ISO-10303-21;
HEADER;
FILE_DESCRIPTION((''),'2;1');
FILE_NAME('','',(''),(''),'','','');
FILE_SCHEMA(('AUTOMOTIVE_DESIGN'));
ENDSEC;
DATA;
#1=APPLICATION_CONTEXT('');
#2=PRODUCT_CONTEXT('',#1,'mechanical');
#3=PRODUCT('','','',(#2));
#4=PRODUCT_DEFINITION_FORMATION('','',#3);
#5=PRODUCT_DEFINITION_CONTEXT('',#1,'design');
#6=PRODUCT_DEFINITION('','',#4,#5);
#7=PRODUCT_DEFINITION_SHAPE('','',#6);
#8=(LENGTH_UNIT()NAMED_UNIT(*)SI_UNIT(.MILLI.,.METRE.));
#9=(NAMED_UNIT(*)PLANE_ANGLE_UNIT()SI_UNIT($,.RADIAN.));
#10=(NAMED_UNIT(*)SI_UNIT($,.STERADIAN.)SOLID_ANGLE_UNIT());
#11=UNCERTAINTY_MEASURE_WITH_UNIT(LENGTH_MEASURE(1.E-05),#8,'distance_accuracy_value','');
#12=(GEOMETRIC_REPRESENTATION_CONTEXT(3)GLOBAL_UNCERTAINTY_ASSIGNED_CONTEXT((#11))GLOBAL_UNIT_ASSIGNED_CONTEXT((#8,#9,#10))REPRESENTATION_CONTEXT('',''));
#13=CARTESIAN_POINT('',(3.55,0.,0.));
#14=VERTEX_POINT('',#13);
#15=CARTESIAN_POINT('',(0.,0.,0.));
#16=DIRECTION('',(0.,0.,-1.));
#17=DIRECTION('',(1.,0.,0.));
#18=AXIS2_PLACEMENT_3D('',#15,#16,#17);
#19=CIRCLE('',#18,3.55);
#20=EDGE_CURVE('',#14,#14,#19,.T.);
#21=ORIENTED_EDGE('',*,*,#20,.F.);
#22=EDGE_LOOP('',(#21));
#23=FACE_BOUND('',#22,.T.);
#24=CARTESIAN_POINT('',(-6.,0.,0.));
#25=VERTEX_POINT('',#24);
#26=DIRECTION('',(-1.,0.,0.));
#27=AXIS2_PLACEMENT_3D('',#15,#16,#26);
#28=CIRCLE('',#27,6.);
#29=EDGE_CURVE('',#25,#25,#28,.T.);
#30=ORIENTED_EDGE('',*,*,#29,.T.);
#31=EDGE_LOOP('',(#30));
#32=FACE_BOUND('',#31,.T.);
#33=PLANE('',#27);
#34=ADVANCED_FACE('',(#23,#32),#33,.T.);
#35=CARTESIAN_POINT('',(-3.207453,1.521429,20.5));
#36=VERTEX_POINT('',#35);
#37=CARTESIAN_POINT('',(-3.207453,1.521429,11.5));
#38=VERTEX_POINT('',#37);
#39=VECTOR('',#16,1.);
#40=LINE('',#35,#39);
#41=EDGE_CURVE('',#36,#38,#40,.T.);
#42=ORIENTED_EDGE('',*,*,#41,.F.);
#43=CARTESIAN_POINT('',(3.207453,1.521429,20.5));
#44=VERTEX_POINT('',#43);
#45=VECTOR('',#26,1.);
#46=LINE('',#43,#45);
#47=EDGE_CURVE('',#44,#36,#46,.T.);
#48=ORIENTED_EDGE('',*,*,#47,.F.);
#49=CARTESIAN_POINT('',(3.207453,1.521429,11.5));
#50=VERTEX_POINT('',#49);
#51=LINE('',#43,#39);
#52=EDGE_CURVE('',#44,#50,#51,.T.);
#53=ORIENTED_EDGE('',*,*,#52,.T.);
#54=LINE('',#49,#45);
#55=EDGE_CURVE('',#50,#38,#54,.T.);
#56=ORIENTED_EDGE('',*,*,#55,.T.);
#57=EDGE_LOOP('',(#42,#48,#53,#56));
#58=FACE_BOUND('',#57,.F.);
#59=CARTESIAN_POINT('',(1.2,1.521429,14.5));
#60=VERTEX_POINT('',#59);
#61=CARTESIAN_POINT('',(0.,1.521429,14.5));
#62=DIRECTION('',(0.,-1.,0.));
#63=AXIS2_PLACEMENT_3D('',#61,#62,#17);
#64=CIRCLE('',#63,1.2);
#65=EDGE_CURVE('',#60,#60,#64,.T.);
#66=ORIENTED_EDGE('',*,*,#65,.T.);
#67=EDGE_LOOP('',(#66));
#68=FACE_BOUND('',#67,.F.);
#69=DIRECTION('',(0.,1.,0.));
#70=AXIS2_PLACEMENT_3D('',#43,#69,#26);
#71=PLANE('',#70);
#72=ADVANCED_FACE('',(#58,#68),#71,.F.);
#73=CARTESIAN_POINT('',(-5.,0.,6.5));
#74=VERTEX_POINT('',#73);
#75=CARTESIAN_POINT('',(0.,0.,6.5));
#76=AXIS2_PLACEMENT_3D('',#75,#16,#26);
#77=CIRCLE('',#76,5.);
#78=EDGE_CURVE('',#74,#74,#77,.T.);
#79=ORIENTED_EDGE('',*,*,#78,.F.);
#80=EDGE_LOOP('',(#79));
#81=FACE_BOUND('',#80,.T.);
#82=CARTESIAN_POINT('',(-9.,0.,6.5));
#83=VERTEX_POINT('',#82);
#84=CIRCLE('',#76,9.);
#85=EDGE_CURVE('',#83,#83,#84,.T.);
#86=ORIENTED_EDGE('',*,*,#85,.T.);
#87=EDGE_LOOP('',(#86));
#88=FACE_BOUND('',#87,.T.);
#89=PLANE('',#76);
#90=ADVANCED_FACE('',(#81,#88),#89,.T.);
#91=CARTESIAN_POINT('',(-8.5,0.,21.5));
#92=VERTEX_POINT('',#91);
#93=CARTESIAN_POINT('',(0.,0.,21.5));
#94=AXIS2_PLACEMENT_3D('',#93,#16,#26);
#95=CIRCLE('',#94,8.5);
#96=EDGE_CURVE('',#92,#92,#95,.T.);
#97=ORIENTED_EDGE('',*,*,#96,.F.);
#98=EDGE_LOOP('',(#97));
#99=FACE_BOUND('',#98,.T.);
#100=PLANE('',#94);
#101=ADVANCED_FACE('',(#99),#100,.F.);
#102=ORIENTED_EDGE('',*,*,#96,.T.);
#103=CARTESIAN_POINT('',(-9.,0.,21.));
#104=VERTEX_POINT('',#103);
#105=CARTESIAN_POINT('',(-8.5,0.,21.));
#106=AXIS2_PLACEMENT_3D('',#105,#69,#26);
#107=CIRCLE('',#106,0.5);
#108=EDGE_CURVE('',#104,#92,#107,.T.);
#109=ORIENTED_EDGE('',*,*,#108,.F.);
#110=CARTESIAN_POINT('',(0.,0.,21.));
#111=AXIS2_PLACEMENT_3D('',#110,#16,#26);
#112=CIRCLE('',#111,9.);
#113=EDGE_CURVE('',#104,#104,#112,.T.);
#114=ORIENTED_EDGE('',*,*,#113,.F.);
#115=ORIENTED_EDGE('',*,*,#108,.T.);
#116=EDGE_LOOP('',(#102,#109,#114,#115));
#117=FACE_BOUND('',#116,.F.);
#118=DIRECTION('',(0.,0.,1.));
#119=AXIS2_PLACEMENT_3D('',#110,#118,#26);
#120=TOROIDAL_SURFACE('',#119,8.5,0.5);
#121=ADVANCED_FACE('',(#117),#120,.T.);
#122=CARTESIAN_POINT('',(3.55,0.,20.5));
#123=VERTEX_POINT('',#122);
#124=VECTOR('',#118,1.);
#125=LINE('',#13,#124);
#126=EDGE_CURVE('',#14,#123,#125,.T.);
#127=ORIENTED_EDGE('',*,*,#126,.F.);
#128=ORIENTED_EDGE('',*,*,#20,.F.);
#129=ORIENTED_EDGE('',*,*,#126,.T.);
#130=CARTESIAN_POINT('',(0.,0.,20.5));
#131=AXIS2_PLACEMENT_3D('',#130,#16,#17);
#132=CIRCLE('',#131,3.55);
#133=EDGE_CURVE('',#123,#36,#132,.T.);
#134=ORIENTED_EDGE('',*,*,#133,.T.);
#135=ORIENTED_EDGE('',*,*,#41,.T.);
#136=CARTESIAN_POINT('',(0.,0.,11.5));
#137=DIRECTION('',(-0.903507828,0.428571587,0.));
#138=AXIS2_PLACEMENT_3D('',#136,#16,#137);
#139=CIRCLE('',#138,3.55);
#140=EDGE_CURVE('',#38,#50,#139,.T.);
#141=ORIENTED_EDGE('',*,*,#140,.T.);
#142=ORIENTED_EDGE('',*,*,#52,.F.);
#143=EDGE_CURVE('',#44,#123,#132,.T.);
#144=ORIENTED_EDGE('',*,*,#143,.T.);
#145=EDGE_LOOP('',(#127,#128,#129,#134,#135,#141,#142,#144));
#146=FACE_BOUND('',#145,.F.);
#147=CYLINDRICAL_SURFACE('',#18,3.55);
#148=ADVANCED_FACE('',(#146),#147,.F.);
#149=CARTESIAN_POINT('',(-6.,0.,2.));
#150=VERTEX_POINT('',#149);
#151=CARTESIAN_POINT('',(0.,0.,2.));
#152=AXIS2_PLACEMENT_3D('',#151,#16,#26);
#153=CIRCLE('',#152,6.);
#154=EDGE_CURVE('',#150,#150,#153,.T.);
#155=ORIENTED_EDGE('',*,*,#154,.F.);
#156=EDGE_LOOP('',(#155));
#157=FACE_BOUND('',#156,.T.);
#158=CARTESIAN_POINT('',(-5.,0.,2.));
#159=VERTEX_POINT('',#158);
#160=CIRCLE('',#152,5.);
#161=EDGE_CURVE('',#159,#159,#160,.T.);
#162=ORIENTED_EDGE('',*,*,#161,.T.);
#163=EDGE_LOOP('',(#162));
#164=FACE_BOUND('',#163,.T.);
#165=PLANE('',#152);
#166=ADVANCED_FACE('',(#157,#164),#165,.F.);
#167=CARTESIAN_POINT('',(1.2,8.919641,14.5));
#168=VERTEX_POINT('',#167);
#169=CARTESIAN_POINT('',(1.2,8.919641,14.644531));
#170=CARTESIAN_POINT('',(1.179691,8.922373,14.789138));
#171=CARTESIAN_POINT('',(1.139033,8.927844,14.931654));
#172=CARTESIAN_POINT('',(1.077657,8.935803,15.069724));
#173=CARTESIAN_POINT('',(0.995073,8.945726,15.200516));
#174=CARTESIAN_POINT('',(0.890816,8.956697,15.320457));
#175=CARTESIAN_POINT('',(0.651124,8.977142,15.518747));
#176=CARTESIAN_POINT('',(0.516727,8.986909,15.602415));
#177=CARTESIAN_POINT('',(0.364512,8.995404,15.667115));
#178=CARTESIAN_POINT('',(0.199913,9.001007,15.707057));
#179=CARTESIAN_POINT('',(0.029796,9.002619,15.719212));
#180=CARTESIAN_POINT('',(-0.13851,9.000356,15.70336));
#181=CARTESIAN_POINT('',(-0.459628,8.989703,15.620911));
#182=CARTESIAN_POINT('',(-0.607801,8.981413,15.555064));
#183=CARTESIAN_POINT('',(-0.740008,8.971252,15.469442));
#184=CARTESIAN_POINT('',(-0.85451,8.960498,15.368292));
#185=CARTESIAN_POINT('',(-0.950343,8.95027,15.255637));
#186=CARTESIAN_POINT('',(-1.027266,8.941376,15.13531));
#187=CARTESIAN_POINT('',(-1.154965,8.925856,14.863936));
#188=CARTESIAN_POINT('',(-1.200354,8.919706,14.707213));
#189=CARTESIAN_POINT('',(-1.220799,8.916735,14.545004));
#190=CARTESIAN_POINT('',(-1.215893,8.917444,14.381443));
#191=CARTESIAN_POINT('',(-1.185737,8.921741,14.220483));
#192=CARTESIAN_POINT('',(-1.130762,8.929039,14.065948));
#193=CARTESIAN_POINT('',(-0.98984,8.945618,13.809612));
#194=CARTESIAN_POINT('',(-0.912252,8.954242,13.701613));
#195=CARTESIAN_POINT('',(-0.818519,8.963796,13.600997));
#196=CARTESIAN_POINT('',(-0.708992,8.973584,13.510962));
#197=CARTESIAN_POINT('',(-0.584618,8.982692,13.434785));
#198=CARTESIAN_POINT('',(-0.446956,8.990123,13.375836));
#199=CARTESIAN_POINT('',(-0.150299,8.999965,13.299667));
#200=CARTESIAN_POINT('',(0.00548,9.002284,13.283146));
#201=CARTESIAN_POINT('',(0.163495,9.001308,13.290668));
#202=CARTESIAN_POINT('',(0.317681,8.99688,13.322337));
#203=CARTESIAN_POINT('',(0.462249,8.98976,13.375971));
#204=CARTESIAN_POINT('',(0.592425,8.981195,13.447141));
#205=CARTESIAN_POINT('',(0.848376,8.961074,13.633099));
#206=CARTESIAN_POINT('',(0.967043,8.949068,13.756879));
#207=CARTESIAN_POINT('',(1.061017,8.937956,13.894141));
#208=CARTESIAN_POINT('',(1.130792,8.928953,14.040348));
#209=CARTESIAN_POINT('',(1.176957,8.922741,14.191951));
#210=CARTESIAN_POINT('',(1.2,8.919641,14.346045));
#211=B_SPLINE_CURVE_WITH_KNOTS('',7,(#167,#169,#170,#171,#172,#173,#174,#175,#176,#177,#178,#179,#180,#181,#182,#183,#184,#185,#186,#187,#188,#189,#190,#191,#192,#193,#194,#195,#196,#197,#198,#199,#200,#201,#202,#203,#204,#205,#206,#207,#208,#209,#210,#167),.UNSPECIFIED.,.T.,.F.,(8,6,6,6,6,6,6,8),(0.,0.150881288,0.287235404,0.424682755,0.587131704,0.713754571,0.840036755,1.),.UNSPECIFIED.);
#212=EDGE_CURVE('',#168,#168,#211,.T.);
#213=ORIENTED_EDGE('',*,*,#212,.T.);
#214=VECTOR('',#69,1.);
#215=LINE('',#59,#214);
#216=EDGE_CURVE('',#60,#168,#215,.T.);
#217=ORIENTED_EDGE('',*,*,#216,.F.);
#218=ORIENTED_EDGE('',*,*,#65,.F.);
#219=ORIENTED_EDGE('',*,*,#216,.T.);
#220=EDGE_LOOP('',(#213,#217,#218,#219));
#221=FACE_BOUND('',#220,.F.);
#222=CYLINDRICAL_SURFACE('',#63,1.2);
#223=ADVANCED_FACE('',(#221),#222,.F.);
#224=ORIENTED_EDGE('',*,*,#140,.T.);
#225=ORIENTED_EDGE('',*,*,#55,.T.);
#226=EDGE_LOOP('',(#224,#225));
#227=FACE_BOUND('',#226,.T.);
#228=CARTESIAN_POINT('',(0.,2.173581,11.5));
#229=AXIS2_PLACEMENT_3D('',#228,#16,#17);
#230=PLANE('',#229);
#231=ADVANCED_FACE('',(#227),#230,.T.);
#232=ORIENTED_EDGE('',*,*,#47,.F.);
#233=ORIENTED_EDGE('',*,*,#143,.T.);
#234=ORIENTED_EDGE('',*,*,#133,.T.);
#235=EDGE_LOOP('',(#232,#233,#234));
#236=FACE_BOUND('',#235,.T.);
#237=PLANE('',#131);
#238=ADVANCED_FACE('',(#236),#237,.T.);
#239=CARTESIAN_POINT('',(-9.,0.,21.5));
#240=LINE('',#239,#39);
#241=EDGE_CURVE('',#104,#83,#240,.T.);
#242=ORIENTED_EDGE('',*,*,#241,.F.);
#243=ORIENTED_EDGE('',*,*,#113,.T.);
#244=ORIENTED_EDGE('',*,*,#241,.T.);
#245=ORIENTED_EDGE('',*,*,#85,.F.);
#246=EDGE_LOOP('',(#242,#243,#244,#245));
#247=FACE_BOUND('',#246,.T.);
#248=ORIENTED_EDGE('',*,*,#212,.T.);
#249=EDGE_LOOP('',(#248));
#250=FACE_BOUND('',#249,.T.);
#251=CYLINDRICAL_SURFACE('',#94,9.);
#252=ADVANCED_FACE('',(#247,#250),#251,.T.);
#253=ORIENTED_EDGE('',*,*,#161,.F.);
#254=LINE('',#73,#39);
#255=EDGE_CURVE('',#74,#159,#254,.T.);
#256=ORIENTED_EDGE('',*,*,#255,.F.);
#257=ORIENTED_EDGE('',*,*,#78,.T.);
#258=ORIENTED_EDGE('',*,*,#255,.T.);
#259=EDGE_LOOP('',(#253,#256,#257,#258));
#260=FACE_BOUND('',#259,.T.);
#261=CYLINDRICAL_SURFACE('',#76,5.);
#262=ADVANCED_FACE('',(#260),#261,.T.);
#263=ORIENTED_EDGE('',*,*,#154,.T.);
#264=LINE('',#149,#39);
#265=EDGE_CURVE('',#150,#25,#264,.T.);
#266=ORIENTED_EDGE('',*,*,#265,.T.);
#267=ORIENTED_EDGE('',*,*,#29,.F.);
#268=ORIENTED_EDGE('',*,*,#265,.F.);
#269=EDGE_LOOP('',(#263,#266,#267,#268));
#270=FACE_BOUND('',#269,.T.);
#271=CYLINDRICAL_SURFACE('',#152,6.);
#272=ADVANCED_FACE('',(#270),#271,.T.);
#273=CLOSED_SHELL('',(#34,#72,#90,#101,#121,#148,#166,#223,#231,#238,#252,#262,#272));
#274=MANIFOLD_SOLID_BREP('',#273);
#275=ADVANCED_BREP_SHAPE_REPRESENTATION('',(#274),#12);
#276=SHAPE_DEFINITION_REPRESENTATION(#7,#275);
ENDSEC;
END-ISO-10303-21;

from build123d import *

# Parameters (mm, degrees)
F2_R     = 3.55
F3_DEPTH = 20.5
F5_DEPTH = 9
F6_R     = 0.5
F7_R     = 1.2
F8_DEPTH = 25


with BuildPart() as f1:
    # F0 (on Front) → F1 (revolve)
    with BuildSketch(Plane.XZ):
        Polygon((-6, 0), (0, 0), (0, 21.5), (-9, 21.5), (-9, 6.5), (-5, 6.5), (-5, 2), (-6, 2), align=None)
    revolve(axis=Axis((0, 0, -3.667768), (0, 0, -1)))

    # F2 (on face) → F3 (cut)
    with BuildSketch(Plane(origin=(0, 0, 0), x_dir=(1, 0, 0), z_dir=(0, 0, -1))):
        Circle(F2_R)
    extrude(amount=-F3_DEPTH, mode=Mode.SUBTRACT)

    # F4 (on face) → F5 (join)
    with BuildSketch(Plane(origin=(0, 0, 20.5), x_dir=(1, 0, 0), z_dir=(0, 0, -1))):
        with BuildLine():
            Line((3.207453, -1.521429), (-3.207453, -1.521429))
            ThreePointArc((-3.207453, -1.521429), (0, -3.55), (3.207453, -1.521429))
        make_face()
    extrude(amount=F5_DEPTH)

    # F6
    f6_edges = [f1.edges().sort_by_distance(p)[0] for p in [
        (9, 0, 21.5),
    ]]
    fillet(f6_edges, radius=F6_R)

    # F7 (on face) → F8 (cut)
    with BuildSketch(Plane.XZ.offset(-1.521429)):
        with Locations((0, 14.5)):
            Circle(F7_R)
    extrude(amount=-F8_DEPTH, mode=Mode.SUBTRACT)


solid = f1.part
